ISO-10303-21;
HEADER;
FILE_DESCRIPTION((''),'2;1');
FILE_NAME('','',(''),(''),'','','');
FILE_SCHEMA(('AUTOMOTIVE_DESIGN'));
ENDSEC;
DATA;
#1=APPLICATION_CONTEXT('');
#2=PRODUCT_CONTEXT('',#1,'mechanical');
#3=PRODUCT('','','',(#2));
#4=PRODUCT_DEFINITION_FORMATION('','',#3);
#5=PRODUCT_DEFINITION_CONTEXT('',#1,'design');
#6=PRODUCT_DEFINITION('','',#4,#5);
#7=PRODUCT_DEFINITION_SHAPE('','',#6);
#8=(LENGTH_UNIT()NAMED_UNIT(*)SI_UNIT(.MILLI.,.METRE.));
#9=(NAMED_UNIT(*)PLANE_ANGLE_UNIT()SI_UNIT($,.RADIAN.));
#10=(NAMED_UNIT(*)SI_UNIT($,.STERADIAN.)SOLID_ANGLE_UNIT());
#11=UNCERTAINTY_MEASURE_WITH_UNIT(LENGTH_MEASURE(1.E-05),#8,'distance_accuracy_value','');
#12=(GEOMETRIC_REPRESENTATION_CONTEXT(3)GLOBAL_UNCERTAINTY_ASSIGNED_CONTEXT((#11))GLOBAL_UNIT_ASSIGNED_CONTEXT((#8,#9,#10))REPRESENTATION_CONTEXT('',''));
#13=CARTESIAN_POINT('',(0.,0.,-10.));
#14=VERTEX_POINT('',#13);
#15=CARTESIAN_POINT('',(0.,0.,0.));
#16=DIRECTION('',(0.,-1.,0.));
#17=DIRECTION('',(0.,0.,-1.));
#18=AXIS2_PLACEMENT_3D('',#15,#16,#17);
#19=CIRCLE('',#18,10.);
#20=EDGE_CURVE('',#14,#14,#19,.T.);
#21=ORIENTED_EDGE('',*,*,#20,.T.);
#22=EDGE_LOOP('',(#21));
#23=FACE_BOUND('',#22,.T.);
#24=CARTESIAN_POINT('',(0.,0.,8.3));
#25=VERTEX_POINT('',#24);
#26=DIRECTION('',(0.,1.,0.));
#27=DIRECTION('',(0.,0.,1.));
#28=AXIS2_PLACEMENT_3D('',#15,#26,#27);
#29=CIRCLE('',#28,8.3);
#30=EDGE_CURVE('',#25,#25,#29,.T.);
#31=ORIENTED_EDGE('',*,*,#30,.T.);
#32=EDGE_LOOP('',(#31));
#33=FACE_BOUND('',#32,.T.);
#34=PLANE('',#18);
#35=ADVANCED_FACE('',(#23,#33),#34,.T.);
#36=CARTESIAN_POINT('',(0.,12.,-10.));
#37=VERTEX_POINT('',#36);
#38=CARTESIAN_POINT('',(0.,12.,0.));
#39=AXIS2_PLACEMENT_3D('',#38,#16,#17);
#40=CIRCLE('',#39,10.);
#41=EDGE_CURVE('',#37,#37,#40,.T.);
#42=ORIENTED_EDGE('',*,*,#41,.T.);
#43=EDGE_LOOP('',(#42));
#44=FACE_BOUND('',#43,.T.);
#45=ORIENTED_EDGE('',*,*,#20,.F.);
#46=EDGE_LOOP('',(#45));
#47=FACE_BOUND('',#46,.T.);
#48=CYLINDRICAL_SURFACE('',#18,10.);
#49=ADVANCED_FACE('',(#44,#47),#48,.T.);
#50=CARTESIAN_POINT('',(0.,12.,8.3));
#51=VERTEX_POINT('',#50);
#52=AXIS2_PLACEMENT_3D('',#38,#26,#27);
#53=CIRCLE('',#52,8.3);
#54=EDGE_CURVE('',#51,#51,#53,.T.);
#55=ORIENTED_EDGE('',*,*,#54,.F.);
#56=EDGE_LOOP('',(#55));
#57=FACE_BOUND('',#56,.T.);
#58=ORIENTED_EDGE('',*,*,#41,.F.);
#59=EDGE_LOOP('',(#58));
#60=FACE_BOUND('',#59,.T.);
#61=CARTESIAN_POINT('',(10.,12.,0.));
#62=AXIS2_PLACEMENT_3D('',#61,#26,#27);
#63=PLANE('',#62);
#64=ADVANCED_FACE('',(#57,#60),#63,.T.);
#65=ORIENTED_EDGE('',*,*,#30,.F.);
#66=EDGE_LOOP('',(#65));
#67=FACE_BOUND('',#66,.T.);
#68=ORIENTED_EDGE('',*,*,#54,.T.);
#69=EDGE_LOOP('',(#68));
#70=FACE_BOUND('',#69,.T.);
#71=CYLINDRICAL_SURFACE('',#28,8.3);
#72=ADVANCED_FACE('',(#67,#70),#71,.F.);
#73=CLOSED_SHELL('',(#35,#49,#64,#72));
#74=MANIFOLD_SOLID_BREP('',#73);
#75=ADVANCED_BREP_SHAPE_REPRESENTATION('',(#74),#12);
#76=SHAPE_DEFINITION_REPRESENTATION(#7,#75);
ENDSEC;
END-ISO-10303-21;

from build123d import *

# Parameters (mm, degrees)
SKETCH_1_W          = 10
SKETCH_1_H          = 12
SKETCH_2_R          = 4.3
AXIAL_BORE_DEPTH    = 19.547236991
SKETCH_3_R          = 8.3
D16_CLEARANCE_DEPTH = 19.547236991


with BuildPart() as part:
    # 草图1 → Round_pushrod_head (revolve)
    with BuildSketch(Plane.XY, mode=Mode.PRIVATE) as round_pushrod_head_sk:
        with Locations((5, 6)):
            Rectangle(SKETCH_1_W, SKETCH_1_H)
    revolve(round_pushrod_head_sk.sketch.rotate(Axis((0, 0, 0), (0, 1, 0)), 90), axis=Axis((0, 0, 0), (0, 1, 0)))

    # 草图2 → Axial_bore (cut, through all)
    with BuildSketch(Plane(origin=(0, 12, 0), x_dir=(1, 0, 0), z_dir=(0, 1, 0))):
        with Locations(Location((0, 0, 0), (0, 0, 270))):
            Circle(SKETCH_2_R)
    extrude(amount=-AXIAL_BORE_DEPTH, mode=Mode.SUBTRACT)

    # 草图3 → D16_clearance (cut, through all)
    with BuildSketch(Plane(origin=(0, 12, 0), x_dir=(1, 0, 0), z_dir=(0, 1, 0))):
        with Locations(Location((0, 0, 0), (0, 0, 270))):
            Circle(SKETCH_3_R)
    extrude(amount=-D16_CLEARANCE_DEPTH, mode=Mode.SUBTRACT)


solid = part.part
